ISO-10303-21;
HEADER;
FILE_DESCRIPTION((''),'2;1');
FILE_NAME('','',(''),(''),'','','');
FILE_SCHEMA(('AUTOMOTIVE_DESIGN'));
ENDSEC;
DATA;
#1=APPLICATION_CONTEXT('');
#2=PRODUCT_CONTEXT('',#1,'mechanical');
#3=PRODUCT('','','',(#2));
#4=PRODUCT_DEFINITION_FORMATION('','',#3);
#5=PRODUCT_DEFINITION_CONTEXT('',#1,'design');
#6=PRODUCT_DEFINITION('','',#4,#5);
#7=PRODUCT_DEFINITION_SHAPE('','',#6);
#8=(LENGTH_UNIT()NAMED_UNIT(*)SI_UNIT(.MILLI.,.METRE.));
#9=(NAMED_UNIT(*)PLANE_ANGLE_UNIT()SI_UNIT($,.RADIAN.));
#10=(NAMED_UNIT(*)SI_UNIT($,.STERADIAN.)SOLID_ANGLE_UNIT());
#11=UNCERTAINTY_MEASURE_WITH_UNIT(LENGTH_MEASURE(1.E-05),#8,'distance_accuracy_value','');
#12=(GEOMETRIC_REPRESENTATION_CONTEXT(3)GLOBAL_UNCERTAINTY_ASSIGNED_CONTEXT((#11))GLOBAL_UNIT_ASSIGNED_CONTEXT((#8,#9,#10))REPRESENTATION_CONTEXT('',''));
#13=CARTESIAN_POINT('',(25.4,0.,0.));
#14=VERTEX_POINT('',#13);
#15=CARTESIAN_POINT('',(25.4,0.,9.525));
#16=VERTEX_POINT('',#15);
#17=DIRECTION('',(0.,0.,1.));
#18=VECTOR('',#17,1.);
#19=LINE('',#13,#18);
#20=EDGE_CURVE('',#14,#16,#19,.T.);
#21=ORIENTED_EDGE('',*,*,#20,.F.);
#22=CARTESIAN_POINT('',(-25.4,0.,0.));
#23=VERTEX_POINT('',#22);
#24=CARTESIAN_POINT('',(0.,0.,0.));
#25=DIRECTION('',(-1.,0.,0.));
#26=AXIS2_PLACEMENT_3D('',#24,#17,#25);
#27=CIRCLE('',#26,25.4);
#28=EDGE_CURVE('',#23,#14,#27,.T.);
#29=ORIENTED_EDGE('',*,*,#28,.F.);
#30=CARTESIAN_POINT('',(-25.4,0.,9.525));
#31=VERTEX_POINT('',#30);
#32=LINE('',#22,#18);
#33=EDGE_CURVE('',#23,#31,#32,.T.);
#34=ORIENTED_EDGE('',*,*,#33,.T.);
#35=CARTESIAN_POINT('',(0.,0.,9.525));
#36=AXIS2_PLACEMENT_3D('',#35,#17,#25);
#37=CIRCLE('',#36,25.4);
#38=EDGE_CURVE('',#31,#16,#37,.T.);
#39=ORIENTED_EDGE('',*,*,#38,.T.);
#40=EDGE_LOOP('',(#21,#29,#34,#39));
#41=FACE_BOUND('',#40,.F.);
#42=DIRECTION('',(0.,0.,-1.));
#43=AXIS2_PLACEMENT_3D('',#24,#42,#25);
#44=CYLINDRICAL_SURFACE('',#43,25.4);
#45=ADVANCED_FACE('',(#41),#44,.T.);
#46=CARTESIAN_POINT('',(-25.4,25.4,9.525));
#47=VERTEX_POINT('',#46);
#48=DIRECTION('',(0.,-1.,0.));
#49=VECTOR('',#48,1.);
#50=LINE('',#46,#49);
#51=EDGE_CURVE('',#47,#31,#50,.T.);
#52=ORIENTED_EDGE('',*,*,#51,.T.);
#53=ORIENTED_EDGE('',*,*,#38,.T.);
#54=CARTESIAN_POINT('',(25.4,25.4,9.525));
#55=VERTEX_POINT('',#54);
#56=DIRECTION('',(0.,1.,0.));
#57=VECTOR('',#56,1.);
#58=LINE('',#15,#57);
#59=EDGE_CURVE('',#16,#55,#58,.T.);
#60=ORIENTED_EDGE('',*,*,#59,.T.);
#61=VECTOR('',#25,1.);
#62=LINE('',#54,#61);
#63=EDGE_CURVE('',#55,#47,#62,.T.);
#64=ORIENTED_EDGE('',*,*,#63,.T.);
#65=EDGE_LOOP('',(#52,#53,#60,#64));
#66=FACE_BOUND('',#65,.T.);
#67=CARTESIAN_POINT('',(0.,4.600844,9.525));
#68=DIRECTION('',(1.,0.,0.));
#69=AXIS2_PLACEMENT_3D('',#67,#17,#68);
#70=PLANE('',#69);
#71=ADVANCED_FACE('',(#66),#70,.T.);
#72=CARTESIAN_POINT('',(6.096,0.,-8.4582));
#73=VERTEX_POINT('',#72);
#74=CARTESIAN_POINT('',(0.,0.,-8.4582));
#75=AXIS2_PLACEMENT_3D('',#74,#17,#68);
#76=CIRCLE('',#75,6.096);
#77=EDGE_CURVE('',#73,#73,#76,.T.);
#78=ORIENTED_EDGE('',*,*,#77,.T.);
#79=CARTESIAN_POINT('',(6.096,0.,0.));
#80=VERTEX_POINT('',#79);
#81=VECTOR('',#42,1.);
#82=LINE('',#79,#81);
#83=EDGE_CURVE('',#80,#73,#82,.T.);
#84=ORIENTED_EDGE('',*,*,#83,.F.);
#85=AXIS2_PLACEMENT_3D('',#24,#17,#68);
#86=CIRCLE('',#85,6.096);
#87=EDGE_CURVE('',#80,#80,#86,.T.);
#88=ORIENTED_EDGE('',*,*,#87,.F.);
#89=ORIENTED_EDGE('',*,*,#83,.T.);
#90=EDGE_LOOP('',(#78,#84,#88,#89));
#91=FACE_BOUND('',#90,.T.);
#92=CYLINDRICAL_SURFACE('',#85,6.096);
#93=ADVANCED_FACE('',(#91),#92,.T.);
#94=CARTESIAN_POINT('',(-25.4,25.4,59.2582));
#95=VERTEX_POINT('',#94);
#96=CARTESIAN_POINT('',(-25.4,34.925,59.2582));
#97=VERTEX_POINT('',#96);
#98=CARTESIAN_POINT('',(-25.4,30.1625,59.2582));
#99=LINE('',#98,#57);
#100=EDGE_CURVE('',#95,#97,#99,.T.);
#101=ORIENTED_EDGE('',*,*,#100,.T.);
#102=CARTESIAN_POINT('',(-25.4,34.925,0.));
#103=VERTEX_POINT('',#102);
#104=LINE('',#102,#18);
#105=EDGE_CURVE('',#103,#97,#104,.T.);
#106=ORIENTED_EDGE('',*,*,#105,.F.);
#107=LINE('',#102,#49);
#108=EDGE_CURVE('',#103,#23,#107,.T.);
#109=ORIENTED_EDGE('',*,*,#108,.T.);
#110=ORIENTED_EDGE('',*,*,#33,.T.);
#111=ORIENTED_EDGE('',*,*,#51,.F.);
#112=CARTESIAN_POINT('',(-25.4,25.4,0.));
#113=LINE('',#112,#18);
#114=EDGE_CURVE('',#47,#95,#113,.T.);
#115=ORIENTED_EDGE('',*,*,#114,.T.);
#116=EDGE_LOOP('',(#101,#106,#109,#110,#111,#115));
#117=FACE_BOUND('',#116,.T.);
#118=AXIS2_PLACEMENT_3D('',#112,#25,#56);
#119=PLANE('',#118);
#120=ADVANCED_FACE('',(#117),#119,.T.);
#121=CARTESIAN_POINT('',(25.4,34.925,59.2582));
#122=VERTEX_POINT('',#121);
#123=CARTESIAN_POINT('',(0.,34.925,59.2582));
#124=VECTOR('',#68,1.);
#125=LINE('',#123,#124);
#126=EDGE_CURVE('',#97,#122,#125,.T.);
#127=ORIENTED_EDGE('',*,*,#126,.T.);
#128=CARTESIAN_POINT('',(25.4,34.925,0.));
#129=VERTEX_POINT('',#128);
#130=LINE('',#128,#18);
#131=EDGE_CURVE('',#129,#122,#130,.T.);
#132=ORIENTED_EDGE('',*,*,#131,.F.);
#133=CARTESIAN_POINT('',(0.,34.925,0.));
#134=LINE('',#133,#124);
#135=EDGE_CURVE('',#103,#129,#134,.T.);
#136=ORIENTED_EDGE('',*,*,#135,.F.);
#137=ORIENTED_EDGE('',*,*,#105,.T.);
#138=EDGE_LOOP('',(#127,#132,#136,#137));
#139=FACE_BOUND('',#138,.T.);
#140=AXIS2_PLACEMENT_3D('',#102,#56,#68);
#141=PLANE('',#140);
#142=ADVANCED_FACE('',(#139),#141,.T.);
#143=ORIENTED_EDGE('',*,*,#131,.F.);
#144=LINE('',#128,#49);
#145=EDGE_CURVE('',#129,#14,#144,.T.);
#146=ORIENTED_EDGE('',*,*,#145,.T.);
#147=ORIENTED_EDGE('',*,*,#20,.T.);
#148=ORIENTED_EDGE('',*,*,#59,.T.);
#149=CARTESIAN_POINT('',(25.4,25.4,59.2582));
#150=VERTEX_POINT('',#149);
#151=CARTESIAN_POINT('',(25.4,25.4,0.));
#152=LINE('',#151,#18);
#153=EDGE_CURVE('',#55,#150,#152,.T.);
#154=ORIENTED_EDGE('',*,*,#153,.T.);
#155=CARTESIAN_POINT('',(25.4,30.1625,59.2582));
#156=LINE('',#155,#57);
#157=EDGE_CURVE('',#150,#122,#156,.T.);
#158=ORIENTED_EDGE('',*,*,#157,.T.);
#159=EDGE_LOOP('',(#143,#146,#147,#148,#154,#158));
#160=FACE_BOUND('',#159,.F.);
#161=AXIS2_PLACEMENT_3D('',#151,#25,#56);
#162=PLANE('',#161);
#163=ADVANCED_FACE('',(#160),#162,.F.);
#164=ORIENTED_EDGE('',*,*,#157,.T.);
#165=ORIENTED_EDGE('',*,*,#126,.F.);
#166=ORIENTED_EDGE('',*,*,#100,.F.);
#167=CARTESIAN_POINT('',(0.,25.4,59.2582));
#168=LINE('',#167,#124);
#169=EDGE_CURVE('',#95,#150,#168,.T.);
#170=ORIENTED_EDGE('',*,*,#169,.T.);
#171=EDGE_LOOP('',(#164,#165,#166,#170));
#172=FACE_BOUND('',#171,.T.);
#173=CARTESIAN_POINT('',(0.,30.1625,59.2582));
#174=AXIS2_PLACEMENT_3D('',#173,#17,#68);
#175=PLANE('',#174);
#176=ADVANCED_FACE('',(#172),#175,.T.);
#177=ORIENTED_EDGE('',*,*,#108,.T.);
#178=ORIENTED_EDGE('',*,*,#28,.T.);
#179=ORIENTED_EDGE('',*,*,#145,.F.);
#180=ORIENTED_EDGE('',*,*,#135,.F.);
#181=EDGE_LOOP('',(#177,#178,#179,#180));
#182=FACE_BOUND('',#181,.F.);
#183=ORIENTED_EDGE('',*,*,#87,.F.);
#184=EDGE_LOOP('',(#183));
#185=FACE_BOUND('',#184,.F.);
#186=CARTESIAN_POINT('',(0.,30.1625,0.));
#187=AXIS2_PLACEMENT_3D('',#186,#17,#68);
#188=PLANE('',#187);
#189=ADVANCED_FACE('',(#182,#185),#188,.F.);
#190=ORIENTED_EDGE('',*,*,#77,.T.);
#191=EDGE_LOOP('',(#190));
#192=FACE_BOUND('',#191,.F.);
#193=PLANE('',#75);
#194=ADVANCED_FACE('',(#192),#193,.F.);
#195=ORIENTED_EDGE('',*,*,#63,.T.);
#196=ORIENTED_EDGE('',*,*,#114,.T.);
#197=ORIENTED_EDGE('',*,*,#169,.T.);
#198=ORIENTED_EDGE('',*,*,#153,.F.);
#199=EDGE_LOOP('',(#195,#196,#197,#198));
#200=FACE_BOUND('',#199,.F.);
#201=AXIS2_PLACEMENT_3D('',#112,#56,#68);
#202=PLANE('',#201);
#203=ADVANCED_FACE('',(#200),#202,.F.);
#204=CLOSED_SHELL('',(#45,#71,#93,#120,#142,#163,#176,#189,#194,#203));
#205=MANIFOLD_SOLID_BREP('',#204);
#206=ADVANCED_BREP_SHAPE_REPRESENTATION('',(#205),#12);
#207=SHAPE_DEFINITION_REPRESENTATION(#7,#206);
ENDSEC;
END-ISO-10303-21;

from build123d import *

# Parameters (mm, degrees)
F1_DEPTH = 9.525
F0_W     = 50.8
F0_H     = 9.525
F2_DEPTH = 59.2582
F3_R     = 6.096
F4_DEPTH = 8.4582


with BuildPart() as f1:
    # F0 (on Top) → F1 (new body)
    with BuildSketch(Plane.XY):
        with BuildLine():
            Line((25.4, 25.4), (-25.4, 25.4))
            Line((-25.4, 25.4), (-25.4, 0))
            ThreePointArc((-25.4, 0), (0, -25.4), (25.4, 0))
            Line((25.4, 0), (25.4, 25.4))
        make_face()
    extrude(amount=F1_DEPTH)

    # F0 (on Top) → F2 (join)
    with BuildSketch(Plane.XY):
        with Locations((0, 30.1625)):
            Rectangle(F0_W, F0_H)
    extrude(amount=F2_DEPTH)

    # F3 (on face) → F4 (join)
    with BuildSketch(Plane.XY):
        Circle(F3_R)
    extrude(amount=-F4_DEPTH)


solid = f1.part
